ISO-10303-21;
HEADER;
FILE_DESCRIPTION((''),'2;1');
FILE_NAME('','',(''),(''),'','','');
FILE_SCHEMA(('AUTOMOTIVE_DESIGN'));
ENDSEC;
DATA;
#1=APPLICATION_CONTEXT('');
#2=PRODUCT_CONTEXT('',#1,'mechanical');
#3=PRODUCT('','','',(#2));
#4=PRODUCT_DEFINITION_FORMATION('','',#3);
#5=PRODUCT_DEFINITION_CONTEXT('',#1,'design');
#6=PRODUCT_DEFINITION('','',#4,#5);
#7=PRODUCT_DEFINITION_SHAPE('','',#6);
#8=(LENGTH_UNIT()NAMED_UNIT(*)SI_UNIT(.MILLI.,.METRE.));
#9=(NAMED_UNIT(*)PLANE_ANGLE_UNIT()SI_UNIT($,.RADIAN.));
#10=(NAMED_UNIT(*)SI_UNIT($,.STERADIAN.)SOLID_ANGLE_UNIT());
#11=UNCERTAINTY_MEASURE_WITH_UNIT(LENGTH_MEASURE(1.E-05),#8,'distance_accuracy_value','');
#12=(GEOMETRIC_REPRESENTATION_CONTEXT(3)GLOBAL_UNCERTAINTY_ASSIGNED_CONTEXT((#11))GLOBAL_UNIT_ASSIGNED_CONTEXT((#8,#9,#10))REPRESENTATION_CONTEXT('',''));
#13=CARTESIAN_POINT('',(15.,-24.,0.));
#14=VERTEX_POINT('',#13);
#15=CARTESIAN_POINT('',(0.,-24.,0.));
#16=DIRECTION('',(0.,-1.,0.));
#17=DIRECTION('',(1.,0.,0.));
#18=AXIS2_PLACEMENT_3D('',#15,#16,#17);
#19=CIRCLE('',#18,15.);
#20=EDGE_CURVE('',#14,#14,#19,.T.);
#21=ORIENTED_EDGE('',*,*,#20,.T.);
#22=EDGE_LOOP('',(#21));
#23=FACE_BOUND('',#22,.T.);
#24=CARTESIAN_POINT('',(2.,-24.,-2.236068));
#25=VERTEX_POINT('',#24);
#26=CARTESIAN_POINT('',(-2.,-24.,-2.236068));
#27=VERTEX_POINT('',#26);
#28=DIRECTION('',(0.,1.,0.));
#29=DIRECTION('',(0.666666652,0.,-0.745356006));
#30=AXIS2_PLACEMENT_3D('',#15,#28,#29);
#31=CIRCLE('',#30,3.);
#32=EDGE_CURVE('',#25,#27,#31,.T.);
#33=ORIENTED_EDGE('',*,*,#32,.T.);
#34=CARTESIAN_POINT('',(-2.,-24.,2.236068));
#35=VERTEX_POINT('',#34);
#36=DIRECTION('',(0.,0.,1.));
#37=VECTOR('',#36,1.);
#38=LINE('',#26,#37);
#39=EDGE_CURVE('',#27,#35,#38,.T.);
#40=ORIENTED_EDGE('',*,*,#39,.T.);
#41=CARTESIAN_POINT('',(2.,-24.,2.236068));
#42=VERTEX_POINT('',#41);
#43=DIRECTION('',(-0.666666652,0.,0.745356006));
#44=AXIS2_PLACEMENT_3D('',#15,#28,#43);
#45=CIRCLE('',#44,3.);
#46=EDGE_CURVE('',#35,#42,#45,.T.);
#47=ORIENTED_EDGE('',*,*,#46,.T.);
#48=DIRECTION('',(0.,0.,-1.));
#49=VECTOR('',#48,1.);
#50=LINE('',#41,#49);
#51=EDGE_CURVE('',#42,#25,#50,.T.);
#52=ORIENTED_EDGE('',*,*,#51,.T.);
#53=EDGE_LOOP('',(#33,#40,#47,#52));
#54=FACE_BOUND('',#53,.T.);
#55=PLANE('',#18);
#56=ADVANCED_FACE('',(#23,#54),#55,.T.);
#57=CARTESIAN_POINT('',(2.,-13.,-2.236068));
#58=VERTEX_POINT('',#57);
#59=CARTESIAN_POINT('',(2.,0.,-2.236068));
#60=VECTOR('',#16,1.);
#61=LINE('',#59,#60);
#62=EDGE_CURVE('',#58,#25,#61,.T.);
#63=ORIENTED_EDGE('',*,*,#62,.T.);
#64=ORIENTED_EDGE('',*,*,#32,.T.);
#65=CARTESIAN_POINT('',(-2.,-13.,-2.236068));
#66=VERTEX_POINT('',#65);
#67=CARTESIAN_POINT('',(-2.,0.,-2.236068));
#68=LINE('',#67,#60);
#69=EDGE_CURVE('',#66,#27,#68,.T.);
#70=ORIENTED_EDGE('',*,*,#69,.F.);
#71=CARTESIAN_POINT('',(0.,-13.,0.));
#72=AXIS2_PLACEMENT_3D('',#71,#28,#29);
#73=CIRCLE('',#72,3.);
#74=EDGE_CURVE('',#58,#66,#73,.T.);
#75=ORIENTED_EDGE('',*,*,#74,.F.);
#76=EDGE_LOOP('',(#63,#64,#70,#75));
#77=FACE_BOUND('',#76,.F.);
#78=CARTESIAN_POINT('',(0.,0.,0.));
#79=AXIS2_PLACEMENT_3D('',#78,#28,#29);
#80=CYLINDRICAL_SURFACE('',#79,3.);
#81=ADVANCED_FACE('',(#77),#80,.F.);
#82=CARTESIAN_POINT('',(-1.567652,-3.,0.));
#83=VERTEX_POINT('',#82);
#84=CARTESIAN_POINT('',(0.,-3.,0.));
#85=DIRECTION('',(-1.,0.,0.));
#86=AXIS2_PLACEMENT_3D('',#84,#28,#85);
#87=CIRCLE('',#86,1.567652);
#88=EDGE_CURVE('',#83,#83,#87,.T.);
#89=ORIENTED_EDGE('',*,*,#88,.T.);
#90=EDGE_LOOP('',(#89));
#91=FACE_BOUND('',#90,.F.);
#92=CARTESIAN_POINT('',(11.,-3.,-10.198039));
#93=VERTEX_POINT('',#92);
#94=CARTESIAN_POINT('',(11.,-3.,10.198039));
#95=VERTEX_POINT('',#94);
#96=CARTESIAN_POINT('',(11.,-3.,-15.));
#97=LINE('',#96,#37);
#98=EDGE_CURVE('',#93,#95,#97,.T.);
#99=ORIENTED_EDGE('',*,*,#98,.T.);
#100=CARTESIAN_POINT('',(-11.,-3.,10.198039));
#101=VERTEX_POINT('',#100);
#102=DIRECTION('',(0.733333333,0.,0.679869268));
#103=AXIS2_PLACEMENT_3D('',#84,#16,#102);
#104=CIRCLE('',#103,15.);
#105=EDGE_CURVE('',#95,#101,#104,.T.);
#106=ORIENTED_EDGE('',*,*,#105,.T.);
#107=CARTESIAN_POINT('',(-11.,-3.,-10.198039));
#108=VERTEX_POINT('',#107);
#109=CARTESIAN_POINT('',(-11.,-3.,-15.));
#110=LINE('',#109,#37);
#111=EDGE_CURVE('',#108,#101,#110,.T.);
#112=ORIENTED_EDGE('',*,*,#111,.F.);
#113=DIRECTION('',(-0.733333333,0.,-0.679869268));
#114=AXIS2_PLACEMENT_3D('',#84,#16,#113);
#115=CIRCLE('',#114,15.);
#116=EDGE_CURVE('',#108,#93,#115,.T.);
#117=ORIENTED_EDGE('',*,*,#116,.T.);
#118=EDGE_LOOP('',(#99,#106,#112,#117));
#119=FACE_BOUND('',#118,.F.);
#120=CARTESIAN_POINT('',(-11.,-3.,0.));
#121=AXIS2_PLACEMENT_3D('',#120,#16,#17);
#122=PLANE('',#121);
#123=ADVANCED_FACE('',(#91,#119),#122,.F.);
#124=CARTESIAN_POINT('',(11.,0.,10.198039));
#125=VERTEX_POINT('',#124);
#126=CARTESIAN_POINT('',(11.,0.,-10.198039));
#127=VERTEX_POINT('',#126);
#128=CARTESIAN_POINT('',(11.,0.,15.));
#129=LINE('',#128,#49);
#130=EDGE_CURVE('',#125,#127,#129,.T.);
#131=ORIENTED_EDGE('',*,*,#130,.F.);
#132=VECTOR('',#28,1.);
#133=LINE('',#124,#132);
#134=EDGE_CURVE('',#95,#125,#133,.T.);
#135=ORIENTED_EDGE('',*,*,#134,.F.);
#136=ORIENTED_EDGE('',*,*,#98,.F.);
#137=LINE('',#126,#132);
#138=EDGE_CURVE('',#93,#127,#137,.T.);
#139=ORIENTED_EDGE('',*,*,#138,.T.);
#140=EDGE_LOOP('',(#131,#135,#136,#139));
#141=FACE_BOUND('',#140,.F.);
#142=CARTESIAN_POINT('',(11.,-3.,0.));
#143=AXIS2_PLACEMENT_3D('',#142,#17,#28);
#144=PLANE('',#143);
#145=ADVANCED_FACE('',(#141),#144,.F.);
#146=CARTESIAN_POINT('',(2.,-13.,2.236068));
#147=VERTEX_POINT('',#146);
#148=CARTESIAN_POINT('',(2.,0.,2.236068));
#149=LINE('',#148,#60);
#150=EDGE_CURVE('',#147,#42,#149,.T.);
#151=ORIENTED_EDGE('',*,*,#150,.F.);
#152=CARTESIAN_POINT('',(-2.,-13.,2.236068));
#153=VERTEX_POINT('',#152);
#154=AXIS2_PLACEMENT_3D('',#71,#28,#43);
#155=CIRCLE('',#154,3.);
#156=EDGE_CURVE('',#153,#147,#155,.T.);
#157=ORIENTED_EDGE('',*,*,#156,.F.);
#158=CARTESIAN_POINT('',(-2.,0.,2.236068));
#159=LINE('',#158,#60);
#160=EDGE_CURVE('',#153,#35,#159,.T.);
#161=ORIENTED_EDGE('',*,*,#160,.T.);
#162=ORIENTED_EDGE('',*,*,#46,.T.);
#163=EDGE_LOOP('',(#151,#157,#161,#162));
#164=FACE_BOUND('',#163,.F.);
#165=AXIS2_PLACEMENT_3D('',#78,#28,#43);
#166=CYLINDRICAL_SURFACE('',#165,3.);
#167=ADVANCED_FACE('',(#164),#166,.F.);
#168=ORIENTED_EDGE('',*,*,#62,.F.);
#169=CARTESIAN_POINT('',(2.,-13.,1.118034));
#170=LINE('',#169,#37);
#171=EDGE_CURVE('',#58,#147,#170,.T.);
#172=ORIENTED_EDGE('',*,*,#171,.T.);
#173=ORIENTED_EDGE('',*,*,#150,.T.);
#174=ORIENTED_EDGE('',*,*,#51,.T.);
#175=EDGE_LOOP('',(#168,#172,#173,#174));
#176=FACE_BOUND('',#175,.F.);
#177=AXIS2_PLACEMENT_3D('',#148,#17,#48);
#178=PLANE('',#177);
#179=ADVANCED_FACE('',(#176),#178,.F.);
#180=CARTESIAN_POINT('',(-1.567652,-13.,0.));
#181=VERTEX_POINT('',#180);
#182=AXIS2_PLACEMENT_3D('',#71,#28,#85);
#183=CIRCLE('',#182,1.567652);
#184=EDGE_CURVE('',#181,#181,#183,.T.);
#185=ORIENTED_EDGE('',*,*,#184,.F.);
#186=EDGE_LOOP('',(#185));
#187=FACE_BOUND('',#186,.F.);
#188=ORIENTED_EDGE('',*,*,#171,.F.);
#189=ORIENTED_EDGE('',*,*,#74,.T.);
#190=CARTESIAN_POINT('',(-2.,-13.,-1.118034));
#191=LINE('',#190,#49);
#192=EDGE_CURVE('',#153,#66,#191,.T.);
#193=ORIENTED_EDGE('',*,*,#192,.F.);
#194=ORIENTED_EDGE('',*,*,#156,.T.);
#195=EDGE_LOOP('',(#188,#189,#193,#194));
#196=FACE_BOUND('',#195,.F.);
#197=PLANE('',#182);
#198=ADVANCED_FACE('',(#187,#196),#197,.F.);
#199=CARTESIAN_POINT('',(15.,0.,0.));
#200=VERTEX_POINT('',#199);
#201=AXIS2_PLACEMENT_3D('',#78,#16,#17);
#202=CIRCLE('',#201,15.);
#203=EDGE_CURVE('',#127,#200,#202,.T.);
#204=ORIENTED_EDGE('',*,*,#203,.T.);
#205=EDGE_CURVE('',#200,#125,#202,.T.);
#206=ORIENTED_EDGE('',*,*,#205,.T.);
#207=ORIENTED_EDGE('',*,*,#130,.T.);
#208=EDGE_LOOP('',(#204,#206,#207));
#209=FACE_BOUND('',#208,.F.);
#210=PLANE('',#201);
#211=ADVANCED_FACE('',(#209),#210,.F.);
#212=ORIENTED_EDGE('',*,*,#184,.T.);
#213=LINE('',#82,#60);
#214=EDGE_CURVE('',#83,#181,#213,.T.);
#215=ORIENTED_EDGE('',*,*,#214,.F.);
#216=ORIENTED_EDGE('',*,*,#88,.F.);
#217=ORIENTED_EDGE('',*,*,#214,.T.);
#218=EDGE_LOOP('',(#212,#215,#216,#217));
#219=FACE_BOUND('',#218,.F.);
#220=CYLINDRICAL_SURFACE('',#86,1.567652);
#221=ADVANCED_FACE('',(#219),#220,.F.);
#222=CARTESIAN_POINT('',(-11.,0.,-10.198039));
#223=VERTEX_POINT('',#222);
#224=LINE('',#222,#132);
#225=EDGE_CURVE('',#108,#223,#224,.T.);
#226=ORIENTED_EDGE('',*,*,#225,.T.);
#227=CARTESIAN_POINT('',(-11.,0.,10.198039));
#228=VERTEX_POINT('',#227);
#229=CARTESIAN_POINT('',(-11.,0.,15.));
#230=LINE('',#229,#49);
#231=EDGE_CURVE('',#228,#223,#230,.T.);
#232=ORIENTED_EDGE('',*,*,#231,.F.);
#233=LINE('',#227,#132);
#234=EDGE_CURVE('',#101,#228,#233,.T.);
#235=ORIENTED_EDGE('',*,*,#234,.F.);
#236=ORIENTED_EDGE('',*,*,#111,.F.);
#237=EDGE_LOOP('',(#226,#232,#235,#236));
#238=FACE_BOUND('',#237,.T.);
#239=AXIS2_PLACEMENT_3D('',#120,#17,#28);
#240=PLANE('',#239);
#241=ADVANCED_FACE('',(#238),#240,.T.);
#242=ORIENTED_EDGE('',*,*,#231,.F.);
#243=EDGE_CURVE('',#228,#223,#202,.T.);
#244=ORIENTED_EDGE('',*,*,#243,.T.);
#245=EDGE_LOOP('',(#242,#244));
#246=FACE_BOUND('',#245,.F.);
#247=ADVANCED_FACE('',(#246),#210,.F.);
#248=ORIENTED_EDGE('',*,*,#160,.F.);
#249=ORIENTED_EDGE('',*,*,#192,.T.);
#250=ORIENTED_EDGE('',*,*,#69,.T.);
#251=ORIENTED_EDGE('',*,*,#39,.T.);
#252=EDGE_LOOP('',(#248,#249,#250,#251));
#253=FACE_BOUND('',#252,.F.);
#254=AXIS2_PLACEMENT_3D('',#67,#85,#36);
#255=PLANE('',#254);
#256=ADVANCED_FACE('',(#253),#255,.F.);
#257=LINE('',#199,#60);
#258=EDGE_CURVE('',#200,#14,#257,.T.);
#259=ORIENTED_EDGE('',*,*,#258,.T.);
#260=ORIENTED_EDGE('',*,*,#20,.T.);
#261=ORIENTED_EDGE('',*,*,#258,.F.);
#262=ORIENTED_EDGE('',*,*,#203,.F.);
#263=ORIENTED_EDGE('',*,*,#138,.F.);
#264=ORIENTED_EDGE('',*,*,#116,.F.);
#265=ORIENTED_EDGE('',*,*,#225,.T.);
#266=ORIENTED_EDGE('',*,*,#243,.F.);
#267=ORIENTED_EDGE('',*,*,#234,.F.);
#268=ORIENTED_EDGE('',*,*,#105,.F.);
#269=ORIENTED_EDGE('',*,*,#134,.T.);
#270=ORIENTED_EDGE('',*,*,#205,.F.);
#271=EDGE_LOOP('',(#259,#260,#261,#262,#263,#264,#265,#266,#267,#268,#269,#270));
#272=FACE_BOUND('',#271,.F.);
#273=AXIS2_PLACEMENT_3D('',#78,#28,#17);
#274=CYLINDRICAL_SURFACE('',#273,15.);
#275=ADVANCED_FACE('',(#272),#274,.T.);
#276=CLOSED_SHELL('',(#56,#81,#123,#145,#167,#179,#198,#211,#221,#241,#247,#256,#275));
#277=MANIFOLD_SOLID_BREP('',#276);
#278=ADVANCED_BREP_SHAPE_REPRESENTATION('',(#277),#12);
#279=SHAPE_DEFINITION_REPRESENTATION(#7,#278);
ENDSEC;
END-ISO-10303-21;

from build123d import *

# Parameters (mm, degrees)
F0_R     = 15
F1_DEPTH = 24
F2_W     = 11
F2_H     = 3
F3_DEPTH = 15
F5_R     = 3.056512
F5_R_2   = 1.567652
F6_DEPTH = 10


with BuildPart() as f1:
    # F0 (on Front) → F1 (new body)
    with BuildSketch(Plane.XZ):
        Circle(F0_R)
        with BuildLine():
            ThreePointArc((2, -2.236068), (0, -3), (-2, -2.236068))
            Line((-2, -2.236068), (-2, 2.236068))
            ThreePointArc((-2, 2.236068), (0, 3), (2, 2.236068))
            Line((2, 2.236068), (2, -2.236068))
        make_face(mode=Mode.SUBTRACT)
    extrude(amount=F1_DEPTH)

    # F2 (on Top) → F3 (cut, symmetric)
    with BuildSketch(Plane.XY):
        with Locations((-5.5, -1.5)):
            Rectangle(F2_W, F2_H)
        with Locations((5.5, -1.5)):
            Rectangle(F2_W, F2_H)
    extrude(amount=F3_DEPTH, both=True, mode=Mode.SUBTRACT)

    # F5 (on offset) → F6 (join)
    with BuildSketch(Plane(origin=(0, -3, 0), x_dir=(-1, 0, 0), z_dir=(0, 1, 0))):
        Circle(F5_R)
        Circle(F5_R_2, mode=Mode.SUBTRACT)
    extrude(amount=-F6_DEPTH)


solid = f1.part
